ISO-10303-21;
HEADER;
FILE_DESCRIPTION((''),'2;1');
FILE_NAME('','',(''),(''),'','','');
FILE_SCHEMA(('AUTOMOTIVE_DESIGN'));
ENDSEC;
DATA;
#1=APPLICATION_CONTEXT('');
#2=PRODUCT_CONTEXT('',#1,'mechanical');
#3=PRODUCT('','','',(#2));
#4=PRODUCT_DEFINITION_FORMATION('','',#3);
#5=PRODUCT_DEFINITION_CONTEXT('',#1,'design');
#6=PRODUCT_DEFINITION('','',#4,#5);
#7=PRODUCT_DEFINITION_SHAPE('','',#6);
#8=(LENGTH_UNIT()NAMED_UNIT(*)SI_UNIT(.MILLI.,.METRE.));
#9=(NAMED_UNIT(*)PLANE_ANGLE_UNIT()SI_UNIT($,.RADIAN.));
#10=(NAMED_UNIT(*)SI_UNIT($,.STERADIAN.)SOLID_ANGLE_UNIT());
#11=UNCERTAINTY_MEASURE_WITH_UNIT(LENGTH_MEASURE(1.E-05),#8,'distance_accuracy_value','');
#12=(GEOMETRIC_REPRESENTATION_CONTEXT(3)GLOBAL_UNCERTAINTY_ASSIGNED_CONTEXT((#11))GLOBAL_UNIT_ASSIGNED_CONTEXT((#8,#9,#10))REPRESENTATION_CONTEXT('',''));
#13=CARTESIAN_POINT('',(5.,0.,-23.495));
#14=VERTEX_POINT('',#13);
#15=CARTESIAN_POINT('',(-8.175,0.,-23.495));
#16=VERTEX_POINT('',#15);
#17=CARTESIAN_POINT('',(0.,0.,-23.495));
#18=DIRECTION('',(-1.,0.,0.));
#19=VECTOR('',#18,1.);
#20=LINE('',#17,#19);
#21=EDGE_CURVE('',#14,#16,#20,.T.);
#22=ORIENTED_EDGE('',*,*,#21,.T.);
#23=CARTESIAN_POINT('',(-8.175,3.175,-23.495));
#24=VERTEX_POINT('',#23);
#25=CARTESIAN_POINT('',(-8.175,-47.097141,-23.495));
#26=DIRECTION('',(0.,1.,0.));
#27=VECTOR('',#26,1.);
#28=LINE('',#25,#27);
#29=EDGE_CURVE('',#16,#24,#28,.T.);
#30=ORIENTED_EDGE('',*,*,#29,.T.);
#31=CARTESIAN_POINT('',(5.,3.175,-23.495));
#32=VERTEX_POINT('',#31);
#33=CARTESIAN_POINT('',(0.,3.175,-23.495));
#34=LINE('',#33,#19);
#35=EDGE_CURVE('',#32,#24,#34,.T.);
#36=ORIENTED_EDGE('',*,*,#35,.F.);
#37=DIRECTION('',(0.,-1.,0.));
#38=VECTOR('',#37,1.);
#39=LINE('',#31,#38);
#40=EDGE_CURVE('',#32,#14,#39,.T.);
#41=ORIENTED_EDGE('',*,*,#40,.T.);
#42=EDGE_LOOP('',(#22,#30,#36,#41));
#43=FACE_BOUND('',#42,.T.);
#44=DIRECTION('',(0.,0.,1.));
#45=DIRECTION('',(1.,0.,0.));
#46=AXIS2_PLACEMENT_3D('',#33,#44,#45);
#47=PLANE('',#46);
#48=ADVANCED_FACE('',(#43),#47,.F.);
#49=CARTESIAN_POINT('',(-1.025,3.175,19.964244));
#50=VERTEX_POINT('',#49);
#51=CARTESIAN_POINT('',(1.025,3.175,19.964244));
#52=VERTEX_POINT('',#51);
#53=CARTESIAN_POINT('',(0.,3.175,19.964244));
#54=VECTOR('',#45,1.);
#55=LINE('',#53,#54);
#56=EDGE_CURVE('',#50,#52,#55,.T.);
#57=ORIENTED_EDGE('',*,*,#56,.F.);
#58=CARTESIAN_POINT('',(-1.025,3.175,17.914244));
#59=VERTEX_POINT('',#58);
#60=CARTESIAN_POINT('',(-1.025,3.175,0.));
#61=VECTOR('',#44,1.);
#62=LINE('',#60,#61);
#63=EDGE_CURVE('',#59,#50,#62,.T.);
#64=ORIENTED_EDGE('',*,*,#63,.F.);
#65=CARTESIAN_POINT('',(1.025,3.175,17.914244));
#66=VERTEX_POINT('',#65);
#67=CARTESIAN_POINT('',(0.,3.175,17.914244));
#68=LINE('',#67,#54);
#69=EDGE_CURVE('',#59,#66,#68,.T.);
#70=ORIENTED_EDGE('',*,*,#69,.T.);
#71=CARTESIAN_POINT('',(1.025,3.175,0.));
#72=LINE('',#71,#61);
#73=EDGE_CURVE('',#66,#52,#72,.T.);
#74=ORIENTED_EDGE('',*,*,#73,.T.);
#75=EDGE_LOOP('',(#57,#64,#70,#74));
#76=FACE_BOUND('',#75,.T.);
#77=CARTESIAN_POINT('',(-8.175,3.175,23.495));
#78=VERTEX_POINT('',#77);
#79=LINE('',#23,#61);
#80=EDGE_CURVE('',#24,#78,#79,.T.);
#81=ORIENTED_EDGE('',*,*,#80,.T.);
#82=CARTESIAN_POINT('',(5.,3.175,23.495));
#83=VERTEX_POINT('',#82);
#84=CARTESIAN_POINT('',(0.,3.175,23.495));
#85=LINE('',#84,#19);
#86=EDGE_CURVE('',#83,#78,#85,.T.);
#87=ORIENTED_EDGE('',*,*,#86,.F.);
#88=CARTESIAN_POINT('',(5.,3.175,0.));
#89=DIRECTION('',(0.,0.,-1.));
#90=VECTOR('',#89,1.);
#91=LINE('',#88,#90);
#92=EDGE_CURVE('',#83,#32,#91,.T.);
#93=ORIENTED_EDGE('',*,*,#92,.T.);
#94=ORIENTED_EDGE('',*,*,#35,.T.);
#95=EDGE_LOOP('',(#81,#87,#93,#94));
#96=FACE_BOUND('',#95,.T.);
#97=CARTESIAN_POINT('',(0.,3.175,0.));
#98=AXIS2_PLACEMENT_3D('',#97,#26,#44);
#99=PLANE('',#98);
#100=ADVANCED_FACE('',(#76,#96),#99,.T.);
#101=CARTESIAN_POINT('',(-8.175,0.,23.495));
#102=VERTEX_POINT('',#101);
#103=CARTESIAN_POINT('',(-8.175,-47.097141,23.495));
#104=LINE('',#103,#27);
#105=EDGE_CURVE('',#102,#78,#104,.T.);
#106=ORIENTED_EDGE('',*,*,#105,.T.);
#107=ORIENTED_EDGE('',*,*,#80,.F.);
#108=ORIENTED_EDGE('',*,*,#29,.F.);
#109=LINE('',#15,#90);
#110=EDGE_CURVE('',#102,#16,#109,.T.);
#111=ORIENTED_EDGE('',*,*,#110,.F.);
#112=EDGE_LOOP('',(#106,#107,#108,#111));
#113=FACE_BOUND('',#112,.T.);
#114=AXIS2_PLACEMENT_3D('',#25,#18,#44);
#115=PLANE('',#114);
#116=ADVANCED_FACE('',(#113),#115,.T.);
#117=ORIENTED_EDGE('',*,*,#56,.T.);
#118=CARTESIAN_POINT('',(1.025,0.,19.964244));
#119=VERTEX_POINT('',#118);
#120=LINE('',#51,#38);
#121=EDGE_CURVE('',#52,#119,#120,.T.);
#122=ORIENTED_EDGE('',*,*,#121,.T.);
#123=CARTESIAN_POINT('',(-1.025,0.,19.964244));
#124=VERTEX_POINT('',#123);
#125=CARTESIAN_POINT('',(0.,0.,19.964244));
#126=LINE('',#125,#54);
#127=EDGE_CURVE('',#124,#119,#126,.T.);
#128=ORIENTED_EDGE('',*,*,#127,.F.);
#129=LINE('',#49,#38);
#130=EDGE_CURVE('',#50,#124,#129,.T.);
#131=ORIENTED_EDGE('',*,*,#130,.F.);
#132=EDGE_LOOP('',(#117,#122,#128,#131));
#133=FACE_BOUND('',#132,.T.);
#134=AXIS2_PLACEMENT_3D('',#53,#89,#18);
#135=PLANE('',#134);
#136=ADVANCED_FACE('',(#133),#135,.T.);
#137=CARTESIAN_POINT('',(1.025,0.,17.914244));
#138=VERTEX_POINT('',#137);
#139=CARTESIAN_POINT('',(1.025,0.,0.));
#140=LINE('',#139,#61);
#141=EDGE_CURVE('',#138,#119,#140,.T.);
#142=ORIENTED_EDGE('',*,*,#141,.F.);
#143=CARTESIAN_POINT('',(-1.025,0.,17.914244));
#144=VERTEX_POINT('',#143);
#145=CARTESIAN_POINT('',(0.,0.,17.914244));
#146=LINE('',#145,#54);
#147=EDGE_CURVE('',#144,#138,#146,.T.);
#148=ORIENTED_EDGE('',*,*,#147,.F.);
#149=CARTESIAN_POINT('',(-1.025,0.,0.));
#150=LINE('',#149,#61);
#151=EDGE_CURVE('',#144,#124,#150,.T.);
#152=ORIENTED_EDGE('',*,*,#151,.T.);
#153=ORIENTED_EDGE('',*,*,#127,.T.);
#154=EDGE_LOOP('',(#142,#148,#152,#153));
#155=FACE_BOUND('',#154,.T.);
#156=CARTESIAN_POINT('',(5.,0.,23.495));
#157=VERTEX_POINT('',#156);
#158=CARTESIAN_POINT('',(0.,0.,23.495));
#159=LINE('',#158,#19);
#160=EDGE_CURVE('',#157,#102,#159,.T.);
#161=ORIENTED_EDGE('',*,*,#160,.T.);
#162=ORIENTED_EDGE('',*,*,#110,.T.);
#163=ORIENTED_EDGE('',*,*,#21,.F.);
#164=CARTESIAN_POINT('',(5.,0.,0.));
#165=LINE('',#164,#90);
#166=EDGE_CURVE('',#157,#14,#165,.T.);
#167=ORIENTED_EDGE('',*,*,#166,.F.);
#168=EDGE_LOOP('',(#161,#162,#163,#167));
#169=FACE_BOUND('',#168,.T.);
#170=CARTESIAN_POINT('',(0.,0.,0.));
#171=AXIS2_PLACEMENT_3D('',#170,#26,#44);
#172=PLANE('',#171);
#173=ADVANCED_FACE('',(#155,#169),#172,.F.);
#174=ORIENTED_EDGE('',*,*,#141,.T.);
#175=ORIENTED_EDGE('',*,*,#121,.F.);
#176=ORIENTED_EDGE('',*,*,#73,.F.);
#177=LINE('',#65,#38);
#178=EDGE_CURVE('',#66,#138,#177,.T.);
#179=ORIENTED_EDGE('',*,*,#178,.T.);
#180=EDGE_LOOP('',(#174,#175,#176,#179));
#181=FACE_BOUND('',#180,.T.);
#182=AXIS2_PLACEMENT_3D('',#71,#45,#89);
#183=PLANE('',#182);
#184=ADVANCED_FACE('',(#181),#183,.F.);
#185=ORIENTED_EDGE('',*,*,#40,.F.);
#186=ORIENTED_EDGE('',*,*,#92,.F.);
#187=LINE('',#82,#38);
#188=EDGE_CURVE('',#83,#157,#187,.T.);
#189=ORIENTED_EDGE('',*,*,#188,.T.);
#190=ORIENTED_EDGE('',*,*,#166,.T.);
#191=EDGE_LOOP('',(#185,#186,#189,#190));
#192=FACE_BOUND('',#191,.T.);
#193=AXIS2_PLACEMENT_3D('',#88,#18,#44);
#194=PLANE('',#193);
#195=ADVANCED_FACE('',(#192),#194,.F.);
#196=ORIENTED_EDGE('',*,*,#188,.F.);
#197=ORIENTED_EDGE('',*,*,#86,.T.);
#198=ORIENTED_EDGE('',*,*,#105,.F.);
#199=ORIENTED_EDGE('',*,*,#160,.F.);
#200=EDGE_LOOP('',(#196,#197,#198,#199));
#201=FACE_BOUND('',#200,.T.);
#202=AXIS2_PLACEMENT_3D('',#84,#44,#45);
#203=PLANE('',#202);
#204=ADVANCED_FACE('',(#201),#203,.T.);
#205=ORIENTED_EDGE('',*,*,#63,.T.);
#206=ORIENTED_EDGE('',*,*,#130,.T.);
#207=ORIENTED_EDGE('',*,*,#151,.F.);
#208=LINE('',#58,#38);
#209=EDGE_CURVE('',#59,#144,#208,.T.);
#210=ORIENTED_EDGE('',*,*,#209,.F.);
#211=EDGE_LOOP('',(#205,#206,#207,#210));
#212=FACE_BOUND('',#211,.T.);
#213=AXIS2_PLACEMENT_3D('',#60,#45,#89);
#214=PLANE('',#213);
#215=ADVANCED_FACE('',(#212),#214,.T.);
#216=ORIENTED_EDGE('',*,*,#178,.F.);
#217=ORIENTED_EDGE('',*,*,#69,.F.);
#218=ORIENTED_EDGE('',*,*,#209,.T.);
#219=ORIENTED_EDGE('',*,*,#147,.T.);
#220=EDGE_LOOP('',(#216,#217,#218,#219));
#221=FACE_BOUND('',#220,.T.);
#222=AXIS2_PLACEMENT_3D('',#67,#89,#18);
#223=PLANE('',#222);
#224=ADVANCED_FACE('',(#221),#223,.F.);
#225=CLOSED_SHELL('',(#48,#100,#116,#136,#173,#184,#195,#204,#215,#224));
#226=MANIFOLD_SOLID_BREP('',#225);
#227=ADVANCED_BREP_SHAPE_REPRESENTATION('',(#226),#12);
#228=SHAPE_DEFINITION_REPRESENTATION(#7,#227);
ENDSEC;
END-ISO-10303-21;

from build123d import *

# Parameters (mm, degrees)
SKETCH1_W           = 10
SKETCH1_H           = 46.99
SKETCH1_W_2         = 2.049999964
SKETCH1_H_2         = 2.049999964
BOSS_EXTRUDE1_DEPTH = 3.175
SKETCH2_W           = 3.175
SKETCH2_H           = 46.99
BOSS_EXTRUDE2_DEPTH = 3.175


with BuildPart() as part:
    # Sketch1 → Boss-Extrude1 (new body)
    with BuildSketch(Plane(origin=(0, 0, 0), x_dir=(1, 0, 0), z_dir=(0, 1, 0))):
        Rectangle(SKETCH1_W, SKETCH1_H)
        with Locations((0, -18.939243554)):
            Rectangle(SKETCH1_W_2, SKETCH1_H_2, mode=Mode.SUBTRACT)
    extrude(amount=BOSS_EXTRUDE1_DEPTH)

    # Sketch2 → Boss-Extrude2 (add)
    with BuildSketch(Plane(origin=(0, 3.175, 0), x_dir=(1, 0, 0), z_dir=(0, 1, 0))):
        with Locations((-6.5875, 0)):
            Rectangle(SKETCH2_W, SKETCH2_H)
    extrude(amount=-BOSS_EXTRUDE2_DEPTH)


solid = part.part
